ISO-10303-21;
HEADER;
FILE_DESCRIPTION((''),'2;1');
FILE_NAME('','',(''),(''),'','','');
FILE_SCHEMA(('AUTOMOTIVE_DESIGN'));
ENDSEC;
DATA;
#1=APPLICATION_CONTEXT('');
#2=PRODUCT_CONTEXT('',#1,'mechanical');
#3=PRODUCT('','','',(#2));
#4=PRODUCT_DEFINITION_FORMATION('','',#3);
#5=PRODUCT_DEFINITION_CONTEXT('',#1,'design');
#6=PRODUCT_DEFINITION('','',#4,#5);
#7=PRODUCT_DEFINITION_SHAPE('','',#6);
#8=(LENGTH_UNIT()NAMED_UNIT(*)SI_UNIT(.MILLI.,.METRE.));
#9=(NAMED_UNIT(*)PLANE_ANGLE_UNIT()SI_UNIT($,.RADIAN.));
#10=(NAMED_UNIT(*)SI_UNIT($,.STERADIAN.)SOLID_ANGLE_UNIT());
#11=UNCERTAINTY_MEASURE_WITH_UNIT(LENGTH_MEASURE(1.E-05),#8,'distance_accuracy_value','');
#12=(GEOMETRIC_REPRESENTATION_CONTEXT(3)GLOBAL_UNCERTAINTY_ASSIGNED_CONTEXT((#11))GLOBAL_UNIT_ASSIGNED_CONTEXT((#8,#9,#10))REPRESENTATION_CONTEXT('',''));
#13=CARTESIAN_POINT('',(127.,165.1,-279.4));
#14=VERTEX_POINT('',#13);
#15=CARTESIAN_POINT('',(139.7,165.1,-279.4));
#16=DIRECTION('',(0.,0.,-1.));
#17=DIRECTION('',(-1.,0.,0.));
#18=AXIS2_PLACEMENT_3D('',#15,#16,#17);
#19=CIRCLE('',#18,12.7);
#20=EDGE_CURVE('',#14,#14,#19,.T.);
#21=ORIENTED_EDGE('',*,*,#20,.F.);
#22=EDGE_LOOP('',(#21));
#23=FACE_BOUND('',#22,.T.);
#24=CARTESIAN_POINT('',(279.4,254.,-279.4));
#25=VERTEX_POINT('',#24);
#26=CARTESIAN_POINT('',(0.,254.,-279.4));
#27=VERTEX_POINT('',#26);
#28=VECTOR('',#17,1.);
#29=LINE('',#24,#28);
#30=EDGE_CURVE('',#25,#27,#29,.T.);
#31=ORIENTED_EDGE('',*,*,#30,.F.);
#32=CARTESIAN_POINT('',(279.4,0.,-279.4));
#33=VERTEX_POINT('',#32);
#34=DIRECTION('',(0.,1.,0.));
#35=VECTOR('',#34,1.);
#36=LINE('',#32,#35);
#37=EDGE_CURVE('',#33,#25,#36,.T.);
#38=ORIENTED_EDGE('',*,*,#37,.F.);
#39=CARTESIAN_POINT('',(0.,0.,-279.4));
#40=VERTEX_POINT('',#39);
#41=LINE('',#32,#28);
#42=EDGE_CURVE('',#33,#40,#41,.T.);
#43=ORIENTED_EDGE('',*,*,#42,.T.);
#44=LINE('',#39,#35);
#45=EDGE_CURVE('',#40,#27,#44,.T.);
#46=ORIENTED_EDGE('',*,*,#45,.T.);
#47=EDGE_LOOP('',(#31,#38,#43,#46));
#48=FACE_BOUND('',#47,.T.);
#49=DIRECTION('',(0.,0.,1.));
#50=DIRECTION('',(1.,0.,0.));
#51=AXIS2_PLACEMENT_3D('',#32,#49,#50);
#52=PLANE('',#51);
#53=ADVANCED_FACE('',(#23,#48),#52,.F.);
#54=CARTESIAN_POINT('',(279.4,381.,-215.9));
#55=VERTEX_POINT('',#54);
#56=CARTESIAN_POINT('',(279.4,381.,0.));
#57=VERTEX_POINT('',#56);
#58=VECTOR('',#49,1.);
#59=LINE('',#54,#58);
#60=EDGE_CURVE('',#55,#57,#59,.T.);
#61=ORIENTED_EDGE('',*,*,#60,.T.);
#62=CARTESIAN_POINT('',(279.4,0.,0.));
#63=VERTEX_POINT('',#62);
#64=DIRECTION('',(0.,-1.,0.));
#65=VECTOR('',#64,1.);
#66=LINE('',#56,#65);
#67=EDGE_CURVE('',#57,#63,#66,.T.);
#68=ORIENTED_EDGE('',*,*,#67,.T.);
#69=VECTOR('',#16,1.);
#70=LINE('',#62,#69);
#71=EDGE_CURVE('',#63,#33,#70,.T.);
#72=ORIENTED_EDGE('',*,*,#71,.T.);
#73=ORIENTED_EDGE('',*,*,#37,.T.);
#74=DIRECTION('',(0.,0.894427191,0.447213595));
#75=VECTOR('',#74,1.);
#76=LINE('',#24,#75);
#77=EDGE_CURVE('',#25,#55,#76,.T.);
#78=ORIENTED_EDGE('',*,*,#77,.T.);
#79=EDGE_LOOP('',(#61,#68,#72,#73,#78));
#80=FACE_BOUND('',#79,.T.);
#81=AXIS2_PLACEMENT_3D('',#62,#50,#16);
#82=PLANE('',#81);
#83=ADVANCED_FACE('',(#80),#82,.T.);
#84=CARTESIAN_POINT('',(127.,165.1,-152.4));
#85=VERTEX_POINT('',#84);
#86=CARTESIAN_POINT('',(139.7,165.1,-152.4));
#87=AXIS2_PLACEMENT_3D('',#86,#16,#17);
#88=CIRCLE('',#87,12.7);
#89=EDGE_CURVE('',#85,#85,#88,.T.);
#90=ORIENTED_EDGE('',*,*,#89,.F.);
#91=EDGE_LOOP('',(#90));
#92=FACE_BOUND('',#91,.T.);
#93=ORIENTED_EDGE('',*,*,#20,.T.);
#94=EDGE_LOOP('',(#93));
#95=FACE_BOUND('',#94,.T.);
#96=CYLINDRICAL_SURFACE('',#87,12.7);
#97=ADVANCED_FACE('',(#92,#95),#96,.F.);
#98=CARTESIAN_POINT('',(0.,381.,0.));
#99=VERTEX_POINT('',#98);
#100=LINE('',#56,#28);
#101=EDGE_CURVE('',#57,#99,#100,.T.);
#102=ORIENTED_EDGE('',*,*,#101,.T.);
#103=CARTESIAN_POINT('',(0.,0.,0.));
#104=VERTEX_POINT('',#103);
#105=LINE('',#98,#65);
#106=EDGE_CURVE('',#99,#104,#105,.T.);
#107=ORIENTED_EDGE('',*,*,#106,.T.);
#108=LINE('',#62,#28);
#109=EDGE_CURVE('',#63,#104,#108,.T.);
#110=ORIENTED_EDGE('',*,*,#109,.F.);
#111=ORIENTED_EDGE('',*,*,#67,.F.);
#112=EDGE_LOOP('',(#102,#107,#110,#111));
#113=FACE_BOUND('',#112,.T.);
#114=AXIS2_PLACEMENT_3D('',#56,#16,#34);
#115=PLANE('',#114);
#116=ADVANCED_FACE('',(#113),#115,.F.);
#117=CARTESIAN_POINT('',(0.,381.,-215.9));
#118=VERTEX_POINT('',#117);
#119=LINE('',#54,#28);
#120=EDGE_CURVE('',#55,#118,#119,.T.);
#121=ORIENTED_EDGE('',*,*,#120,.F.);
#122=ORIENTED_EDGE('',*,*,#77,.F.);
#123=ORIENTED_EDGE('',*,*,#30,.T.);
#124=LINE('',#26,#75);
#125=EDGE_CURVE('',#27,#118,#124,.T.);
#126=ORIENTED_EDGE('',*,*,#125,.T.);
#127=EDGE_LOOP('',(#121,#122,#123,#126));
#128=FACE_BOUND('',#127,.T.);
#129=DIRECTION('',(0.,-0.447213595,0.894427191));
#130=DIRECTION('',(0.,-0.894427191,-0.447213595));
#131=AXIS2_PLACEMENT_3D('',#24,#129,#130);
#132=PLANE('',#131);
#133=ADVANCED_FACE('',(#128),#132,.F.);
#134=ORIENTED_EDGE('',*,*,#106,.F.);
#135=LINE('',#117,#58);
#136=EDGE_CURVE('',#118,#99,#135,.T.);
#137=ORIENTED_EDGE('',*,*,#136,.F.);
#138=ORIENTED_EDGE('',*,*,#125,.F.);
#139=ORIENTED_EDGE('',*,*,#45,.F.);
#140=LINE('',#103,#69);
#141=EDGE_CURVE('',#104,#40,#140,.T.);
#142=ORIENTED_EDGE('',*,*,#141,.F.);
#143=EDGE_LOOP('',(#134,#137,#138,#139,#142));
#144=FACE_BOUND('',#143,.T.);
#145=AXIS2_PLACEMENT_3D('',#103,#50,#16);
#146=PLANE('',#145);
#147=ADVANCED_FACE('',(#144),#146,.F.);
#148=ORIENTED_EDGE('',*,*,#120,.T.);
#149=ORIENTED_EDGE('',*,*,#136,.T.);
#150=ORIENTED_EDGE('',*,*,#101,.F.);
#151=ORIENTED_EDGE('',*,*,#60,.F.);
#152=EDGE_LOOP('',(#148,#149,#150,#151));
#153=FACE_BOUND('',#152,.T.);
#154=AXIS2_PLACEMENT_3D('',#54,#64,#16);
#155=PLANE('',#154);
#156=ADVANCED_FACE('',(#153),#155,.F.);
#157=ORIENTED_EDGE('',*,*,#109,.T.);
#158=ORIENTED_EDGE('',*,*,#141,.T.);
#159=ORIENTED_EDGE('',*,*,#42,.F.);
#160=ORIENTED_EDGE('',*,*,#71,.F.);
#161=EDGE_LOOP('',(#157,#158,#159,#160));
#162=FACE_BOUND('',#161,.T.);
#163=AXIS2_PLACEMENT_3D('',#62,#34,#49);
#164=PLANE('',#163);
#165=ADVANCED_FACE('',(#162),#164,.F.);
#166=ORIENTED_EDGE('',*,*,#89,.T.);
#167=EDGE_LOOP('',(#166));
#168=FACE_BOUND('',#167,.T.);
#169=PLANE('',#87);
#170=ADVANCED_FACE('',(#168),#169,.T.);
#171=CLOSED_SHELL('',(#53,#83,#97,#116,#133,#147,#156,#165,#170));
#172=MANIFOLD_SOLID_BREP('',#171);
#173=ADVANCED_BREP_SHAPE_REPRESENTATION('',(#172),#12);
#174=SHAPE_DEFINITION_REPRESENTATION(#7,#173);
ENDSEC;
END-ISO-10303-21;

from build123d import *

# Parameters (mm, degrees)
BOSS_EXTRUDE1_DEPTH = 279.4
SKETCH2_R           = 12.7
CUT_EXTRUDE1_DEPTH  = 127


with BuildPart() as part:
    # Sketch1 → Boss-Extrude1 (new body)
    with BuildSketch(Plane(origin=(0, 0, 0), x_dir=(0, 0, -1), z_dir=(1, 0, 0))):
        Polygon((0, 0), (279.4, 0), (279.4, 254), (215.9, 381), (0, 381), align=None)
    extrude(amount=BOSS_EXTRUDE1_DEPTH)

    # Sketch2 → Cut-Extrude1 (cut)
    with BuildSketch(Plane(origin=(0, 0, -279.4), x_dir=(-1, 0, 0), z_dir=(0, 0, -1))):
        with Locations((-139.7, 165.1)):
            Circle(SKETCH2_R)
    extrude(amount=-CUT_EXTRUDE1_DEPTH, mode=Mode.SUBTRACT)


solid = part.part
